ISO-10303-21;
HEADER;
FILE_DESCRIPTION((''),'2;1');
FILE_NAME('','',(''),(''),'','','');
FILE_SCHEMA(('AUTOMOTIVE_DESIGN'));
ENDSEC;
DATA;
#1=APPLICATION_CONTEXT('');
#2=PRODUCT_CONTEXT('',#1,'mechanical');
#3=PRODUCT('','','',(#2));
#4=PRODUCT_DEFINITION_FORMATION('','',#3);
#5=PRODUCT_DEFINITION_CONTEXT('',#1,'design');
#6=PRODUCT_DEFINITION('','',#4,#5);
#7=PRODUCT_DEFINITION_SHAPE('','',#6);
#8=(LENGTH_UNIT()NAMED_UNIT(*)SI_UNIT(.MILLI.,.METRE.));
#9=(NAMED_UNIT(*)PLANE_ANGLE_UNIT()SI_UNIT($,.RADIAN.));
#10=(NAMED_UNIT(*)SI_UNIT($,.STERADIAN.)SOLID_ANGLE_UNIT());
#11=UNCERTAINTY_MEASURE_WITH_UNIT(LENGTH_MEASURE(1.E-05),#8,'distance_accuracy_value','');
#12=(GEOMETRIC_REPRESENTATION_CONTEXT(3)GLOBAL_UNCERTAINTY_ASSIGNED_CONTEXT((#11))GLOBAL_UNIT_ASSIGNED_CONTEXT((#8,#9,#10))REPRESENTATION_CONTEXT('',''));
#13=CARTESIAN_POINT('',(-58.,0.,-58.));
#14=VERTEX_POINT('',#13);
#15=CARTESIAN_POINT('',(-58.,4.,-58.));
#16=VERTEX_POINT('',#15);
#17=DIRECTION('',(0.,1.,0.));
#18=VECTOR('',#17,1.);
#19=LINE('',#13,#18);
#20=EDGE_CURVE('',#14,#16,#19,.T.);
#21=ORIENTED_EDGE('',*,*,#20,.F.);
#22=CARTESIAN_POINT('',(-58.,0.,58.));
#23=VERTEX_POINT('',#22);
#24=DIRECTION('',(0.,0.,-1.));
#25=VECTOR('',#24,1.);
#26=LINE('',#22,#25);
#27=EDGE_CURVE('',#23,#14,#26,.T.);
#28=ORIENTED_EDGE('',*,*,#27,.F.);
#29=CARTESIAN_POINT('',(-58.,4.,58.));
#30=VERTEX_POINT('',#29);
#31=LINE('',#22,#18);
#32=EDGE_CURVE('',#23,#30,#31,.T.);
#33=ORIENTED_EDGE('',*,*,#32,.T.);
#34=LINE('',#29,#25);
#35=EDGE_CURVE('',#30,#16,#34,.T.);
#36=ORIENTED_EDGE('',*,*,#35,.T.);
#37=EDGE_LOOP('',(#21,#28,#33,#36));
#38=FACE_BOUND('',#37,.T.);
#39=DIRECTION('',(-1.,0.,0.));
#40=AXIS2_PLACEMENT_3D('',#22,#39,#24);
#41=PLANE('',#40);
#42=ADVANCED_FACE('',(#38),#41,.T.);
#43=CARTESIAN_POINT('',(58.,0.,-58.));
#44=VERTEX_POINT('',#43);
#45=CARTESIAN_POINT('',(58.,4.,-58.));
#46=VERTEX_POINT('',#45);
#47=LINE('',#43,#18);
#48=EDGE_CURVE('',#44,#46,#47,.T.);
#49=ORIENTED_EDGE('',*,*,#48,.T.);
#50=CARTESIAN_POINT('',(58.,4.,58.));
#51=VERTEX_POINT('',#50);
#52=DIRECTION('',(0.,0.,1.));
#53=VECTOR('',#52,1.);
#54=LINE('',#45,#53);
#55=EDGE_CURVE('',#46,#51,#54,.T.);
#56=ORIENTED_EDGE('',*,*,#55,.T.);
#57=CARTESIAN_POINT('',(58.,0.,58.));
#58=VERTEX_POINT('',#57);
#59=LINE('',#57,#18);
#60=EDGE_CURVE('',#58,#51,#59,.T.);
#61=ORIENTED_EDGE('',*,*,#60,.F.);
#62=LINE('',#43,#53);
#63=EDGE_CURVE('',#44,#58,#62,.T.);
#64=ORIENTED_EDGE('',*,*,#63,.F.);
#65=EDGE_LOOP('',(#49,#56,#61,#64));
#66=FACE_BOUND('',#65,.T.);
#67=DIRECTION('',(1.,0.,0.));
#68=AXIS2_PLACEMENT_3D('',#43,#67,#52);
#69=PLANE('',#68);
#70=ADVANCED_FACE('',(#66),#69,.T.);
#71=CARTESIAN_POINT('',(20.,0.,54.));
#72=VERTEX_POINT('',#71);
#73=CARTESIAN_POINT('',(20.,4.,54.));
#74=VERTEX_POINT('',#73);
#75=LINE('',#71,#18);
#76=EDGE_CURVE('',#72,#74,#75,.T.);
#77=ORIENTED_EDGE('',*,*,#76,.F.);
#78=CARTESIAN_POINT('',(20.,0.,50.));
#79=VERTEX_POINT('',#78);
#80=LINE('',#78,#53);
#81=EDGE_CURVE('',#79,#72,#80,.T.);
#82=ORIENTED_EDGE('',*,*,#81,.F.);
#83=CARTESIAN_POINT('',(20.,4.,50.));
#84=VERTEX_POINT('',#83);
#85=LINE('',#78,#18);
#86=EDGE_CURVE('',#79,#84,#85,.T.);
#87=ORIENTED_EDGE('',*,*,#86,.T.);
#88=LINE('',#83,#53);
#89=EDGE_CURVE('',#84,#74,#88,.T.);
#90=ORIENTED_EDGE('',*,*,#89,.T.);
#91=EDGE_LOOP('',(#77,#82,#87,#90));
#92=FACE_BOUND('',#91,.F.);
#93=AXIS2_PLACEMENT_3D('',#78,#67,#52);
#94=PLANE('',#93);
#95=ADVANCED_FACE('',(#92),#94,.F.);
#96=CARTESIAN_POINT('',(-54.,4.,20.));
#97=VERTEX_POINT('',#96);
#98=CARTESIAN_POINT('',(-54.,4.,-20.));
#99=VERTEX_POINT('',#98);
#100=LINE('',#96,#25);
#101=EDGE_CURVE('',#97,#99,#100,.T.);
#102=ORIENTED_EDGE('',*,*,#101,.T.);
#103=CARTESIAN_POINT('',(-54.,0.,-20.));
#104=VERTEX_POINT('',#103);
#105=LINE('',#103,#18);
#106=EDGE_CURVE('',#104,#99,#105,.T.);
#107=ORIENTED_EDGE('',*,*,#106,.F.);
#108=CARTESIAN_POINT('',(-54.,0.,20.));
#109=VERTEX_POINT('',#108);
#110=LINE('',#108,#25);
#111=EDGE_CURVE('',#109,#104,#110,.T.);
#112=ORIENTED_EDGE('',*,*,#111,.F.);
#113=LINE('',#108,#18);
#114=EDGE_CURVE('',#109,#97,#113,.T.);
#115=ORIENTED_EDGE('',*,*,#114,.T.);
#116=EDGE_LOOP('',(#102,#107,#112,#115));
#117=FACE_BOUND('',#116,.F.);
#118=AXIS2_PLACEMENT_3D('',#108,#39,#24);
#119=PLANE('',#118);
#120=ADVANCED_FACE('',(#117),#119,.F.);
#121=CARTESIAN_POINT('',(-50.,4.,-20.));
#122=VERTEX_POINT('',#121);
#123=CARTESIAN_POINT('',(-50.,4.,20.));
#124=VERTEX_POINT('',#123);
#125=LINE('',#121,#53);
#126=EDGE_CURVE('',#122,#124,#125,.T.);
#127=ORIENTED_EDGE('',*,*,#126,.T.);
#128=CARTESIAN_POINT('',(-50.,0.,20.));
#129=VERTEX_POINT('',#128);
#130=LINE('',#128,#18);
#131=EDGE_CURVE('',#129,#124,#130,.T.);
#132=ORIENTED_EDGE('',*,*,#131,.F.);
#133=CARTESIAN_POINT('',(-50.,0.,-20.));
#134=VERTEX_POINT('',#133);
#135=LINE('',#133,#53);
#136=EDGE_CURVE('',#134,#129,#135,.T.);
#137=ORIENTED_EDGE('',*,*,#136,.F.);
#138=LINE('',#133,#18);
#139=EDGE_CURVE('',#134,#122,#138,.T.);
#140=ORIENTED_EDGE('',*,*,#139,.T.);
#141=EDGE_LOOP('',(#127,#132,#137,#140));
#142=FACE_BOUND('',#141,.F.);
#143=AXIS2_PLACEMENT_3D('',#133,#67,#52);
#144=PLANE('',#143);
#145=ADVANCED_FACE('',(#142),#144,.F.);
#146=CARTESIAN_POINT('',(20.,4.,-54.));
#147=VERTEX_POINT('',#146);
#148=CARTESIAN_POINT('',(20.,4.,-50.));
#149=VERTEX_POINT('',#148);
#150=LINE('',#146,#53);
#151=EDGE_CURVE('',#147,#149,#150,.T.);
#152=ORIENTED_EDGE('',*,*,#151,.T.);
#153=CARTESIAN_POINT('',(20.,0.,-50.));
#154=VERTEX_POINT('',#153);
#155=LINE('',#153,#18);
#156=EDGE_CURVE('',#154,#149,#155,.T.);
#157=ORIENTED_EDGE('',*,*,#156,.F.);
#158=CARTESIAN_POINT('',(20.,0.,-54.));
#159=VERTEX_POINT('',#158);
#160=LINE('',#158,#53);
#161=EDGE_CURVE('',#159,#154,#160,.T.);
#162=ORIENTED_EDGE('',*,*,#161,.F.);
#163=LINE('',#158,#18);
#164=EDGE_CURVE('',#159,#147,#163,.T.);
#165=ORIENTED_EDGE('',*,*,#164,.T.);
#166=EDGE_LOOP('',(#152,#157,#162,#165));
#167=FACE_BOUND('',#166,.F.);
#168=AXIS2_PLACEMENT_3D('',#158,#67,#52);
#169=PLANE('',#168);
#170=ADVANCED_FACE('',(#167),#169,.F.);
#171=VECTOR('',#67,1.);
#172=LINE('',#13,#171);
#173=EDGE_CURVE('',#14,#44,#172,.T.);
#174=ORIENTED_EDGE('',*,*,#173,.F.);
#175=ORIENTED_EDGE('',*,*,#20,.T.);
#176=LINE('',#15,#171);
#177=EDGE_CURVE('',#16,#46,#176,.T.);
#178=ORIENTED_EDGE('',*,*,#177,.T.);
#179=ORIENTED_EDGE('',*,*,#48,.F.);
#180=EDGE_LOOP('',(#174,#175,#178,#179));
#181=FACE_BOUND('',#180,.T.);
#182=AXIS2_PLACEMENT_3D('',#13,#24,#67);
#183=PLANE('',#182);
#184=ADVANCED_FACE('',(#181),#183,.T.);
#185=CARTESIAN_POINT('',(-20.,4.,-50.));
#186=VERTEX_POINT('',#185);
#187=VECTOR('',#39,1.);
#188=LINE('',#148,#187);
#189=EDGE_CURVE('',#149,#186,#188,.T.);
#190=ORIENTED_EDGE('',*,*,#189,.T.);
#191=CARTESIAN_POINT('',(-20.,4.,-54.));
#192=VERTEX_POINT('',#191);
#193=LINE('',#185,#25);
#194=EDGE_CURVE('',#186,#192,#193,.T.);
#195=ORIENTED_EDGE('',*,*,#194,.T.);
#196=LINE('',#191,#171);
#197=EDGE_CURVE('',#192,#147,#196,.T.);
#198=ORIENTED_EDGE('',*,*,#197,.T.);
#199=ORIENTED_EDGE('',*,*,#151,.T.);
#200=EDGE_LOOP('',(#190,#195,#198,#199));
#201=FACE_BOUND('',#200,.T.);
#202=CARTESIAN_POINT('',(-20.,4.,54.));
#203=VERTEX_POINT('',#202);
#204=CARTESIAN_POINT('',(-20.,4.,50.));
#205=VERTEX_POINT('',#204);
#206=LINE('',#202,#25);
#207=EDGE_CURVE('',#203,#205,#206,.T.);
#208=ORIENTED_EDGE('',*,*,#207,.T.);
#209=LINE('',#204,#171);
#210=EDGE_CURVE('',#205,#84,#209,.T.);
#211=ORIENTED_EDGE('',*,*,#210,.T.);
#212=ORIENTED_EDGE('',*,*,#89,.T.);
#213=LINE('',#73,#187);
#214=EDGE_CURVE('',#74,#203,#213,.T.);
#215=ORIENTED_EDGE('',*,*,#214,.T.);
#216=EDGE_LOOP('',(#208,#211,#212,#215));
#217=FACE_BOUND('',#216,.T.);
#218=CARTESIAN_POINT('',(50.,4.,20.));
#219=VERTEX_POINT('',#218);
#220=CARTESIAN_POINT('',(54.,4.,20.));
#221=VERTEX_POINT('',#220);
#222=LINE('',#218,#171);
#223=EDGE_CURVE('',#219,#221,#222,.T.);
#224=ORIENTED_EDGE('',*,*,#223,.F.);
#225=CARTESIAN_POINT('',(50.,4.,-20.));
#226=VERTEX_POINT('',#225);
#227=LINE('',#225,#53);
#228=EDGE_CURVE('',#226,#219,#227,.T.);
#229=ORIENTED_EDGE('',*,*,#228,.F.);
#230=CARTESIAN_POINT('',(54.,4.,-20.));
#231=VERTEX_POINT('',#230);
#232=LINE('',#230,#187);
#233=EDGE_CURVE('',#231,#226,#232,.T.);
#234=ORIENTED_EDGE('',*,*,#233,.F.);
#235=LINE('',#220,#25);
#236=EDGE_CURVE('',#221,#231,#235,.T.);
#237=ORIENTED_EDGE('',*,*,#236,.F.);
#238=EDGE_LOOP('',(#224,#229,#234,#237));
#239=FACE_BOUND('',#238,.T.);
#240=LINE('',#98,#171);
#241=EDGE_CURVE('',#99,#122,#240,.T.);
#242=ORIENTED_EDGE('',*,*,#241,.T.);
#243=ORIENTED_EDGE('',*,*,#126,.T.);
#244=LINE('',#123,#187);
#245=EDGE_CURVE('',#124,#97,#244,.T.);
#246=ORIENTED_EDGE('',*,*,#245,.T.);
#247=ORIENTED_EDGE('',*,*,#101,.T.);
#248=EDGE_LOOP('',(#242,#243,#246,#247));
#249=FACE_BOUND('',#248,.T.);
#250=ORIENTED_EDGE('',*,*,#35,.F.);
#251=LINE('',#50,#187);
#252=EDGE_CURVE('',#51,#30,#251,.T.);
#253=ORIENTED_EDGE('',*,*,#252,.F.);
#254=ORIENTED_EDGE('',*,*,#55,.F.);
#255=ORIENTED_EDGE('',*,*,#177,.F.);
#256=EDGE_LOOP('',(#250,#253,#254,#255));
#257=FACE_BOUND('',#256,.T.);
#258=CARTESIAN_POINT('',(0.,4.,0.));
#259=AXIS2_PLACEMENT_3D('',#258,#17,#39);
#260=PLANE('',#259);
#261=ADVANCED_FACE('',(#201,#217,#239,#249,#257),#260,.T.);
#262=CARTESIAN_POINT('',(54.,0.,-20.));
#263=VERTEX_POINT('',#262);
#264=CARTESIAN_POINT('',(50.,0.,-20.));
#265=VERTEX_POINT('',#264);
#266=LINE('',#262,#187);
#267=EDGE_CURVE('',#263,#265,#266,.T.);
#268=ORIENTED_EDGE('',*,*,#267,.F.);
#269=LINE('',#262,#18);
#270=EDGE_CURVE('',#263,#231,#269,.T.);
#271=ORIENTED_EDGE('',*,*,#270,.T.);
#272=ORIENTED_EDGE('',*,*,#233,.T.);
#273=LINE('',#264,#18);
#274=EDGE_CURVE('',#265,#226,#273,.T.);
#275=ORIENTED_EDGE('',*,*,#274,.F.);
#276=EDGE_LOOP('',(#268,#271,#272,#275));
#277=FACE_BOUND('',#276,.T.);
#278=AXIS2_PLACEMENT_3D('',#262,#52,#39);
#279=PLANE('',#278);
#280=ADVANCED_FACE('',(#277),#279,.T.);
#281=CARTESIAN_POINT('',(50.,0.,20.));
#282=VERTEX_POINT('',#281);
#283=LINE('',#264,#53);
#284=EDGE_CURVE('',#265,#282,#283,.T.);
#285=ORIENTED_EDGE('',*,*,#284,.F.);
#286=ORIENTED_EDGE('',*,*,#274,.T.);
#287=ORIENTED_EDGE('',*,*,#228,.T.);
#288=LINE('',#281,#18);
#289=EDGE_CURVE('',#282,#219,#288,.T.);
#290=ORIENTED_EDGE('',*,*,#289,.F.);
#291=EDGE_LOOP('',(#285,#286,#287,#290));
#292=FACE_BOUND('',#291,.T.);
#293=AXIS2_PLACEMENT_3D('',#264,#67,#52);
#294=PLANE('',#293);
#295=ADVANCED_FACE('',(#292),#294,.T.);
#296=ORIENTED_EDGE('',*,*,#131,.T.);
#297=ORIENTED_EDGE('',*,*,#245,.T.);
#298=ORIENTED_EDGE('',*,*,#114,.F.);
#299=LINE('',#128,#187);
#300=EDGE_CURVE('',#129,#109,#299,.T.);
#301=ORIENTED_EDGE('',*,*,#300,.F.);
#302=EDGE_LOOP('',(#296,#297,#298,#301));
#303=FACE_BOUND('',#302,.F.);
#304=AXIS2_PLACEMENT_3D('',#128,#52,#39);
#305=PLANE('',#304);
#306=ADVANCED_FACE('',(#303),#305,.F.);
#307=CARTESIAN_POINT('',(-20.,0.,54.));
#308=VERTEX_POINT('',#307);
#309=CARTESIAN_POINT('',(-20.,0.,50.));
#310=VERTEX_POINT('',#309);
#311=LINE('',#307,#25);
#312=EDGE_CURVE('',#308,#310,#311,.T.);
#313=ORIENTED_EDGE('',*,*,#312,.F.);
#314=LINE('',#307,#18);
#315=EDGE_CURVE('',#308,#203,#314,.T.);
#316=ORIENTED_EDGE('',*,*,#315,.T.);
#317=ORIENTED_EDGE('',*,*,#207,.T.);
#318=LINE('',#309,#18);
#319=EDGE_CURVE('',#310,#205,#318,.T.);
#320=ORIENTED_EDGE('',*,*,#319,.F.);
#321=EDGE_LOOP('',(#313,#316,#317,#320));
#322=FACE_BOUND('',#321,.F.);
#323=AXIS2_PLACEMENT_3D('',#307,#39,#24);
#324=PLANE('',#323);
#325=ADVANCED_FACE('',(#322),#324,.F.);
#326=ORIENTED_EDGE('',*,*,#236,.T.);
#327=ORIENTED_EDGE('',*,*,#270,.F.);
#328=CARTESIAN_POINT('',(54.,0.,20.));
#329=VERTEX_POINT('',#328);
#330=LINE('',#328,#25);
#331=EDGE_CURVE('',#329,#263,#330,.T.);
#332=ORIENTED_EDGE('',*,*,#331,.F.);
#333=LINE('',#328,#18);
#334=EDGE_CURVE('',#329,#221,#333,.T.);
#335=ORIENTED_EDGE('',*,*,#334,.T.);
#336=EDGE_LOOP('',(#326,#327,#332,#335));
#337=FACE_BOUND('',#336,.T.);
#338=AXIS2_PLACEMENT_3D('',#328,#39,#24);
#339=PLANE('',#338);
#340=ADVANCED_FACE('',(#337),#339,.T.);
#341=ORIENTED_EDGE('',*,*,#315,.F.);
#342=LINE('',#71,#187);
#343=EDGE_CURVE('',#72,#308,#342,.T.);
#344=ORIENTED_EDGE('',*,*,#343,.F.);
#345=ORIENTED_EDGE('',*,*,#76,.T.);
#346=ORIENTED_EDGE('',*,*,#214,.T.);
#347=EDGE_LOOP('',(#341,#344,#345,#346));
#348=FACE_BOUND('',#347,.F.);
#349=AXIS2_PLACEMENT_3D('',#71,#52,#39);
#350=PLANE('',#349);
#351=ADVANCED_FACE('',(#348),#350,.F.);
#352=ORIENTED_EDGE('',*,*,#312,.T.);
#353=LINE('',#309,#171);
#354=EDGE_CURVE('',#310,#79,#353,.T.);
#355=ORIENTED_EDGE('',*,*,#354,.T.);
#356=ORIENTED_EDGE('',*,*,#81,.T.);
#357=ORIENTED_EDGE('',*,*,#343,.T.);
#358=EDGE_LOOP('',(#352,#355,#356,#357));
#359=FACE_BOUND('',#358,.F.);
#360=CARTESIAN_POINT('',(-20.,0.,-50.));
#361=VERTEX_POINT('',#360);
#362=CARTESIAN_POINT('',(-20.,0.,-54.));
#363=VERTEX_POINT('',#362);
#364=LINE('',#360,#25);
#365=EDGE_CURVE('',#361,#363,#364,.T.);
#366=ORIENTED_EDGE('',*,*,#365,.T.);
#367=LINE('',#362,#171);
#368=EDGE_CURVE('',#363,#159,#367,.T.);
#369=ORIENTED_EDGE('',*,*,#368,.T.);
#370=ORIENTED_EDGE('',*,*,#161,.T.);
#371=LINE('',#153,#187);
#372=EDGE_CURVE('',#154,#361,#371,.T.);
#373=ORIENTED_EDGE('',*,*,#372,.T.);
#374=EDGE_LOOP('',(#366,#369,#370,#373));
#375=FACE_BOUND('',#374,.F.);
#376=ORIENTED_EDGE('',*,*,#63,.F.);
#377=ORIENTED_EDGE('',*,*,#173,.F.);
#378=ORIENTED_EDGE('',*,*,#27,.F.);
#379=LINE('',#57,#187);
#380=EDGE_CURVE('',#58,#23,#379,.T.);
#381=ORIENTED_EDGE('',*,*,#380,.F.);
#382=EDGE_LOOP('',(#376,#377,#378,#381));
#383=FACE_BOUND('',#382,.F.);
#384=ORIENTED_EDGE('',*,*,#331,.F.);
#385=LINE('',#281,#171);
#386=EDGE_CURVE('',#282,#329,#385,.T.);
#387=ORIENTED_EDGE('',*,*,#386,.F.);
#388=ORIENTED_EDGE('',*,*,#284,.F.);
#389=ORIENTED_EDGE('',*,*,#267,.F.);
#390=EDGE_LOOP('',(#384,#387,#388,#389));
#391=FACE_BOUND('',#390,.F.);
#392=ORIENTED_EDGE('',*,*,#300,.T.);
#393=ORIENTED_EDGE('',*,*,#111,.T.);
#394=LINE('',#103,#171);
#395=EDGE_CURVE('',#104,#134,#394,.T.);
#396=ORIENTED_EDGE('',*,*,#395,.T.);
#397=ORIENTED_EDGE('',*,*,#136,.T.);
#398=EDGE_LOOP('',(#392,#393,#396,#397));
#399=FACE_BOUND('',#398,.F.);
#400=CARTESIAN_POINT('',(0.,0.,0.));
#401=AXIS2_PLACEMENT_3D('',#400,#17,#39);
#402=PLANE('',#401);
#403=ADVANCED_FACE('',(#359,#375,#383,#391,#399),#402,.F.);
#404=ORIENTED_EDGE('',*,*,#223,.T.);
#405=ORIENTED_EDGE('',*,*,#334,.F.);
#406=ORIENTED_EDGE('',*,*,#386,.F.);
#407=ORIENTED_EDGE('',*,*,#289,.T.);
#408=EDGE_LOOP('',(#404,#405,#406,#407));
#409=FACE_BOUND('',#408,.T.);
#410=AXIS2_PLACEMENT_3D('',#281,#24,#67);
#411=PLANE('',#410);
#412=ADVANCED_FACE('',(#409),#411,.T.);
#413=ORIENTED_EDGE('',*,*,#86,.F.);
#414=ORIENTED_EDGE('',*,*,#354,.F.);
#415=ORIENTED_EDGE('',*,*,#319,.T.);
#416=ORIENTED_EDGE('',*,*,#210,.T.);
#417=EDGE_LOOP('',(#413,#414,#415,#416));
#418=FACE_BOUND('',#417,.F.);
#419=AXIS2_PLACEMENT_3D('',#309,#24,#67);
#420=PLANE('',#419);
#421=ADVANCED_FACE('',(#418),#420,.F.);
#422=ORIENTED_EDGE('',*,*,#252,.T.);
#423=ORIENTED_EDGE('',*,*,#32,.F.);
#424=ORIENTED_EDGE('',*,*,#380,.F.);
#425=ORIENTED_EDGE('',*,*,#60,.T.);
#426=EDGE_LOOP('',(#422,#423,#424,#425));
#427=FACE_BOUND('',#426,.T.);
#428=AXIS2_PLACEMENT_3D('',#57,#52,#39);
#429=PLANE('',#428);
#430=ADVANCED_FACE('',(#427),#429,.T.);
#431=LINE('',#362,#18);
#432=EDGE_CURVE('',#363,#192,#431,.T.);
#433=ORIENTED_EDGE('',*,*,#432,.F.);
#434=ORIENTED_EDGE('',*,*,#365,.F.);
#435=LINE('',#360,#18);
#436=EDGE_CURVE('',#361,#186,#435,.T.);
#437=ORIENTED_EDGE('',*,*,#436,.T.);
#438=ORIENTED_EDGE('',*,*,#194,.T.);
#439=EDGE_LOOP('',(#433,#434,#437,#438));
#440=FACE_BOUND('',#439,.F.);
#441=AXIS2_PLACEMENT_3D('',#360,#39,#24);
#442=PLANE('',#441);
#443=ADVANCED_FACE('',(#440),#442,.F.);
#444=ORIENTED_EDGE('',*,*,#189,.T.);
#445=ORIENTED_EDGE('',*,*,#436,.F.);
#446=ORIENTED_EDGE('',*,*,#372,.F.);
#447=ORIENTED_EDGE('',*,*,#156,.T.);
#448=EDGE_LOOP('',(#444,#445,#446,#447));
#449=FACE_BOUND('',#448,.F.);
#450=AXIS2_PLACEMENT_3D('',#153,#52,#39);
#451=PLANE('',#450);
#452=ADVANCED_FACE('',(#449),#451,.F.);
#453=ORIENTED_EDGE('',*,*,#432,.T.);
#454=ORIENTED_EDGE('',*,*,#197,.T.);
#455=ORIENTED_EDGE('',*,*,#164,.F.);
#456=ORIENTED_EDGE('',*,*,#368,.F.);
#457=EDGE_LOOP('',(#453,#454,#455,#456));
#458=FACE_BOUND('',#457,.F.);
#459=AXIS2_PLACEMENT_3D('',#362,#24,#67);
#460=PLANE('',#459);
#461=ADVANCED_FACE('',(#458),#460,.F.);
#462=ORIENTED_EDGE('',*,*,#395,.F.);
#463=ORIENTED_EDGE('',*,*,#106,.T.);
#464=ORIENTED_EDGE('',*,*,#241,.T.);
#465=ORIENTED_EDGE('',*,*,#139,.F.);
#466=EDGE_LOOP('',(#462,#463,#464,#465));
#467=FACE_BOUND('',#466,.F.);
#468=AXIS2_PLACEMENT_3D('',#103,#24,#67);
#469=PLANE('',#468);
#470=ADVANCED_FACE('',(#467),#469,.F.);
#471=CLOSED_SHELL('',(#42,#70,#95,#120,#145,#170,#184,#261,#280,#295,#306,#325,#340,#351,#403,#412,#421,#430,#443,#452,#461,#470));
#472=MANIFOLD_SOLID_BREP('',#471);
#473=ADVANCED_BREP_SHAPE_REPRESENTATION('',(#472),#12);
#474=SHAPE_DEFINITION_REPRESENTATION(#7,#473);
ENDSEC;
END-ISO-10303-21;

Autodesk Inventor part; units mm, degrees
ref_plane "YZ Plane" through (0, 0, 0) normal (1, 0, 0) x (0, 1, 0)
ref_plane "XZ Plane" through (0, 0, 0) normal (0, 1, 0) x (-1, 0, 0)
ref_plane "XY Plane" through (0, 0, 0) normal (0, 0, 1) x (1, 0, 0)
sketch "Sketch1" plane through (0, 0, 0) normal (0, 1, 0) x (-1, 0, 0)
  line L0 (50, -50) -> (-50, -50) construction
  line L1 (-50, -50) -> (-50, 50) construction
  line L2 (-50, 50) -> (50, 50) construction
  line L3 (50, 50) -> (50, -50) construction
  line L4 (54, -54) -> (-54, -54) construction
  line L5 (-54, -54) -> (-54, 54) construction
  line L6 (-54, 54) -> (54, 54) construction
  line L7 (54, 54) -> (54, -54) construction
  line L8 (58, -58) -> (-58, -58)
  line L9 (-58, -58) -> (-58, 58)
  line L10 (-58, 58) -> (58, 58)
  line L11 (58, 58) -> (58, -58)
  line L12 (54, -20) -> (50, -20)
  line L13 (50, -20) -> (50, 20)
  line L14 (50, 20) -> (54, 20)
  line L15 (54, 20) -> (54, -20)
  line L16 (-50, 20) -> (-54, 20)
  line L17 (-54, 20) -> (-54, -20)
  line L18 (-54, -20) -> (-50, -20)
  line L19 (-50, -20) -> (-50, 20)
  line L20 (-20, -50) -> (20, -50)
  line L21 (20, -50) -> (20, -54)
  line L22 (20, -54) -> (-20, -54)
  line L23 (-20, -54) -> (-20, -50)
  line L24 (20, 50) -> (-20, 50)
  line L25 (-20, 50) -> (-20, 54)
  line L26 (-20, 54) -> (20, 54)
  line L27 (20, 54) -> (20, 50)
  point P0 (0, 0)
  point P1 (0, -50)
  point P2 (50, 0)
  point P3 (50, 0)
  point P4 (0, -50)
  point P5 (52, 20)
  point P6 (52, -20)
  dimension "d0" = 4
  dimension "d1" = 4
  dimension "d2" = 100
  dimension "d3" = 100
  dimension "d4" = 40
extrude "Extrusion1" add sketch "Sketch1" along normal blind 4
properties part number "Top_100wx100d" material "Wood (Oak)"
